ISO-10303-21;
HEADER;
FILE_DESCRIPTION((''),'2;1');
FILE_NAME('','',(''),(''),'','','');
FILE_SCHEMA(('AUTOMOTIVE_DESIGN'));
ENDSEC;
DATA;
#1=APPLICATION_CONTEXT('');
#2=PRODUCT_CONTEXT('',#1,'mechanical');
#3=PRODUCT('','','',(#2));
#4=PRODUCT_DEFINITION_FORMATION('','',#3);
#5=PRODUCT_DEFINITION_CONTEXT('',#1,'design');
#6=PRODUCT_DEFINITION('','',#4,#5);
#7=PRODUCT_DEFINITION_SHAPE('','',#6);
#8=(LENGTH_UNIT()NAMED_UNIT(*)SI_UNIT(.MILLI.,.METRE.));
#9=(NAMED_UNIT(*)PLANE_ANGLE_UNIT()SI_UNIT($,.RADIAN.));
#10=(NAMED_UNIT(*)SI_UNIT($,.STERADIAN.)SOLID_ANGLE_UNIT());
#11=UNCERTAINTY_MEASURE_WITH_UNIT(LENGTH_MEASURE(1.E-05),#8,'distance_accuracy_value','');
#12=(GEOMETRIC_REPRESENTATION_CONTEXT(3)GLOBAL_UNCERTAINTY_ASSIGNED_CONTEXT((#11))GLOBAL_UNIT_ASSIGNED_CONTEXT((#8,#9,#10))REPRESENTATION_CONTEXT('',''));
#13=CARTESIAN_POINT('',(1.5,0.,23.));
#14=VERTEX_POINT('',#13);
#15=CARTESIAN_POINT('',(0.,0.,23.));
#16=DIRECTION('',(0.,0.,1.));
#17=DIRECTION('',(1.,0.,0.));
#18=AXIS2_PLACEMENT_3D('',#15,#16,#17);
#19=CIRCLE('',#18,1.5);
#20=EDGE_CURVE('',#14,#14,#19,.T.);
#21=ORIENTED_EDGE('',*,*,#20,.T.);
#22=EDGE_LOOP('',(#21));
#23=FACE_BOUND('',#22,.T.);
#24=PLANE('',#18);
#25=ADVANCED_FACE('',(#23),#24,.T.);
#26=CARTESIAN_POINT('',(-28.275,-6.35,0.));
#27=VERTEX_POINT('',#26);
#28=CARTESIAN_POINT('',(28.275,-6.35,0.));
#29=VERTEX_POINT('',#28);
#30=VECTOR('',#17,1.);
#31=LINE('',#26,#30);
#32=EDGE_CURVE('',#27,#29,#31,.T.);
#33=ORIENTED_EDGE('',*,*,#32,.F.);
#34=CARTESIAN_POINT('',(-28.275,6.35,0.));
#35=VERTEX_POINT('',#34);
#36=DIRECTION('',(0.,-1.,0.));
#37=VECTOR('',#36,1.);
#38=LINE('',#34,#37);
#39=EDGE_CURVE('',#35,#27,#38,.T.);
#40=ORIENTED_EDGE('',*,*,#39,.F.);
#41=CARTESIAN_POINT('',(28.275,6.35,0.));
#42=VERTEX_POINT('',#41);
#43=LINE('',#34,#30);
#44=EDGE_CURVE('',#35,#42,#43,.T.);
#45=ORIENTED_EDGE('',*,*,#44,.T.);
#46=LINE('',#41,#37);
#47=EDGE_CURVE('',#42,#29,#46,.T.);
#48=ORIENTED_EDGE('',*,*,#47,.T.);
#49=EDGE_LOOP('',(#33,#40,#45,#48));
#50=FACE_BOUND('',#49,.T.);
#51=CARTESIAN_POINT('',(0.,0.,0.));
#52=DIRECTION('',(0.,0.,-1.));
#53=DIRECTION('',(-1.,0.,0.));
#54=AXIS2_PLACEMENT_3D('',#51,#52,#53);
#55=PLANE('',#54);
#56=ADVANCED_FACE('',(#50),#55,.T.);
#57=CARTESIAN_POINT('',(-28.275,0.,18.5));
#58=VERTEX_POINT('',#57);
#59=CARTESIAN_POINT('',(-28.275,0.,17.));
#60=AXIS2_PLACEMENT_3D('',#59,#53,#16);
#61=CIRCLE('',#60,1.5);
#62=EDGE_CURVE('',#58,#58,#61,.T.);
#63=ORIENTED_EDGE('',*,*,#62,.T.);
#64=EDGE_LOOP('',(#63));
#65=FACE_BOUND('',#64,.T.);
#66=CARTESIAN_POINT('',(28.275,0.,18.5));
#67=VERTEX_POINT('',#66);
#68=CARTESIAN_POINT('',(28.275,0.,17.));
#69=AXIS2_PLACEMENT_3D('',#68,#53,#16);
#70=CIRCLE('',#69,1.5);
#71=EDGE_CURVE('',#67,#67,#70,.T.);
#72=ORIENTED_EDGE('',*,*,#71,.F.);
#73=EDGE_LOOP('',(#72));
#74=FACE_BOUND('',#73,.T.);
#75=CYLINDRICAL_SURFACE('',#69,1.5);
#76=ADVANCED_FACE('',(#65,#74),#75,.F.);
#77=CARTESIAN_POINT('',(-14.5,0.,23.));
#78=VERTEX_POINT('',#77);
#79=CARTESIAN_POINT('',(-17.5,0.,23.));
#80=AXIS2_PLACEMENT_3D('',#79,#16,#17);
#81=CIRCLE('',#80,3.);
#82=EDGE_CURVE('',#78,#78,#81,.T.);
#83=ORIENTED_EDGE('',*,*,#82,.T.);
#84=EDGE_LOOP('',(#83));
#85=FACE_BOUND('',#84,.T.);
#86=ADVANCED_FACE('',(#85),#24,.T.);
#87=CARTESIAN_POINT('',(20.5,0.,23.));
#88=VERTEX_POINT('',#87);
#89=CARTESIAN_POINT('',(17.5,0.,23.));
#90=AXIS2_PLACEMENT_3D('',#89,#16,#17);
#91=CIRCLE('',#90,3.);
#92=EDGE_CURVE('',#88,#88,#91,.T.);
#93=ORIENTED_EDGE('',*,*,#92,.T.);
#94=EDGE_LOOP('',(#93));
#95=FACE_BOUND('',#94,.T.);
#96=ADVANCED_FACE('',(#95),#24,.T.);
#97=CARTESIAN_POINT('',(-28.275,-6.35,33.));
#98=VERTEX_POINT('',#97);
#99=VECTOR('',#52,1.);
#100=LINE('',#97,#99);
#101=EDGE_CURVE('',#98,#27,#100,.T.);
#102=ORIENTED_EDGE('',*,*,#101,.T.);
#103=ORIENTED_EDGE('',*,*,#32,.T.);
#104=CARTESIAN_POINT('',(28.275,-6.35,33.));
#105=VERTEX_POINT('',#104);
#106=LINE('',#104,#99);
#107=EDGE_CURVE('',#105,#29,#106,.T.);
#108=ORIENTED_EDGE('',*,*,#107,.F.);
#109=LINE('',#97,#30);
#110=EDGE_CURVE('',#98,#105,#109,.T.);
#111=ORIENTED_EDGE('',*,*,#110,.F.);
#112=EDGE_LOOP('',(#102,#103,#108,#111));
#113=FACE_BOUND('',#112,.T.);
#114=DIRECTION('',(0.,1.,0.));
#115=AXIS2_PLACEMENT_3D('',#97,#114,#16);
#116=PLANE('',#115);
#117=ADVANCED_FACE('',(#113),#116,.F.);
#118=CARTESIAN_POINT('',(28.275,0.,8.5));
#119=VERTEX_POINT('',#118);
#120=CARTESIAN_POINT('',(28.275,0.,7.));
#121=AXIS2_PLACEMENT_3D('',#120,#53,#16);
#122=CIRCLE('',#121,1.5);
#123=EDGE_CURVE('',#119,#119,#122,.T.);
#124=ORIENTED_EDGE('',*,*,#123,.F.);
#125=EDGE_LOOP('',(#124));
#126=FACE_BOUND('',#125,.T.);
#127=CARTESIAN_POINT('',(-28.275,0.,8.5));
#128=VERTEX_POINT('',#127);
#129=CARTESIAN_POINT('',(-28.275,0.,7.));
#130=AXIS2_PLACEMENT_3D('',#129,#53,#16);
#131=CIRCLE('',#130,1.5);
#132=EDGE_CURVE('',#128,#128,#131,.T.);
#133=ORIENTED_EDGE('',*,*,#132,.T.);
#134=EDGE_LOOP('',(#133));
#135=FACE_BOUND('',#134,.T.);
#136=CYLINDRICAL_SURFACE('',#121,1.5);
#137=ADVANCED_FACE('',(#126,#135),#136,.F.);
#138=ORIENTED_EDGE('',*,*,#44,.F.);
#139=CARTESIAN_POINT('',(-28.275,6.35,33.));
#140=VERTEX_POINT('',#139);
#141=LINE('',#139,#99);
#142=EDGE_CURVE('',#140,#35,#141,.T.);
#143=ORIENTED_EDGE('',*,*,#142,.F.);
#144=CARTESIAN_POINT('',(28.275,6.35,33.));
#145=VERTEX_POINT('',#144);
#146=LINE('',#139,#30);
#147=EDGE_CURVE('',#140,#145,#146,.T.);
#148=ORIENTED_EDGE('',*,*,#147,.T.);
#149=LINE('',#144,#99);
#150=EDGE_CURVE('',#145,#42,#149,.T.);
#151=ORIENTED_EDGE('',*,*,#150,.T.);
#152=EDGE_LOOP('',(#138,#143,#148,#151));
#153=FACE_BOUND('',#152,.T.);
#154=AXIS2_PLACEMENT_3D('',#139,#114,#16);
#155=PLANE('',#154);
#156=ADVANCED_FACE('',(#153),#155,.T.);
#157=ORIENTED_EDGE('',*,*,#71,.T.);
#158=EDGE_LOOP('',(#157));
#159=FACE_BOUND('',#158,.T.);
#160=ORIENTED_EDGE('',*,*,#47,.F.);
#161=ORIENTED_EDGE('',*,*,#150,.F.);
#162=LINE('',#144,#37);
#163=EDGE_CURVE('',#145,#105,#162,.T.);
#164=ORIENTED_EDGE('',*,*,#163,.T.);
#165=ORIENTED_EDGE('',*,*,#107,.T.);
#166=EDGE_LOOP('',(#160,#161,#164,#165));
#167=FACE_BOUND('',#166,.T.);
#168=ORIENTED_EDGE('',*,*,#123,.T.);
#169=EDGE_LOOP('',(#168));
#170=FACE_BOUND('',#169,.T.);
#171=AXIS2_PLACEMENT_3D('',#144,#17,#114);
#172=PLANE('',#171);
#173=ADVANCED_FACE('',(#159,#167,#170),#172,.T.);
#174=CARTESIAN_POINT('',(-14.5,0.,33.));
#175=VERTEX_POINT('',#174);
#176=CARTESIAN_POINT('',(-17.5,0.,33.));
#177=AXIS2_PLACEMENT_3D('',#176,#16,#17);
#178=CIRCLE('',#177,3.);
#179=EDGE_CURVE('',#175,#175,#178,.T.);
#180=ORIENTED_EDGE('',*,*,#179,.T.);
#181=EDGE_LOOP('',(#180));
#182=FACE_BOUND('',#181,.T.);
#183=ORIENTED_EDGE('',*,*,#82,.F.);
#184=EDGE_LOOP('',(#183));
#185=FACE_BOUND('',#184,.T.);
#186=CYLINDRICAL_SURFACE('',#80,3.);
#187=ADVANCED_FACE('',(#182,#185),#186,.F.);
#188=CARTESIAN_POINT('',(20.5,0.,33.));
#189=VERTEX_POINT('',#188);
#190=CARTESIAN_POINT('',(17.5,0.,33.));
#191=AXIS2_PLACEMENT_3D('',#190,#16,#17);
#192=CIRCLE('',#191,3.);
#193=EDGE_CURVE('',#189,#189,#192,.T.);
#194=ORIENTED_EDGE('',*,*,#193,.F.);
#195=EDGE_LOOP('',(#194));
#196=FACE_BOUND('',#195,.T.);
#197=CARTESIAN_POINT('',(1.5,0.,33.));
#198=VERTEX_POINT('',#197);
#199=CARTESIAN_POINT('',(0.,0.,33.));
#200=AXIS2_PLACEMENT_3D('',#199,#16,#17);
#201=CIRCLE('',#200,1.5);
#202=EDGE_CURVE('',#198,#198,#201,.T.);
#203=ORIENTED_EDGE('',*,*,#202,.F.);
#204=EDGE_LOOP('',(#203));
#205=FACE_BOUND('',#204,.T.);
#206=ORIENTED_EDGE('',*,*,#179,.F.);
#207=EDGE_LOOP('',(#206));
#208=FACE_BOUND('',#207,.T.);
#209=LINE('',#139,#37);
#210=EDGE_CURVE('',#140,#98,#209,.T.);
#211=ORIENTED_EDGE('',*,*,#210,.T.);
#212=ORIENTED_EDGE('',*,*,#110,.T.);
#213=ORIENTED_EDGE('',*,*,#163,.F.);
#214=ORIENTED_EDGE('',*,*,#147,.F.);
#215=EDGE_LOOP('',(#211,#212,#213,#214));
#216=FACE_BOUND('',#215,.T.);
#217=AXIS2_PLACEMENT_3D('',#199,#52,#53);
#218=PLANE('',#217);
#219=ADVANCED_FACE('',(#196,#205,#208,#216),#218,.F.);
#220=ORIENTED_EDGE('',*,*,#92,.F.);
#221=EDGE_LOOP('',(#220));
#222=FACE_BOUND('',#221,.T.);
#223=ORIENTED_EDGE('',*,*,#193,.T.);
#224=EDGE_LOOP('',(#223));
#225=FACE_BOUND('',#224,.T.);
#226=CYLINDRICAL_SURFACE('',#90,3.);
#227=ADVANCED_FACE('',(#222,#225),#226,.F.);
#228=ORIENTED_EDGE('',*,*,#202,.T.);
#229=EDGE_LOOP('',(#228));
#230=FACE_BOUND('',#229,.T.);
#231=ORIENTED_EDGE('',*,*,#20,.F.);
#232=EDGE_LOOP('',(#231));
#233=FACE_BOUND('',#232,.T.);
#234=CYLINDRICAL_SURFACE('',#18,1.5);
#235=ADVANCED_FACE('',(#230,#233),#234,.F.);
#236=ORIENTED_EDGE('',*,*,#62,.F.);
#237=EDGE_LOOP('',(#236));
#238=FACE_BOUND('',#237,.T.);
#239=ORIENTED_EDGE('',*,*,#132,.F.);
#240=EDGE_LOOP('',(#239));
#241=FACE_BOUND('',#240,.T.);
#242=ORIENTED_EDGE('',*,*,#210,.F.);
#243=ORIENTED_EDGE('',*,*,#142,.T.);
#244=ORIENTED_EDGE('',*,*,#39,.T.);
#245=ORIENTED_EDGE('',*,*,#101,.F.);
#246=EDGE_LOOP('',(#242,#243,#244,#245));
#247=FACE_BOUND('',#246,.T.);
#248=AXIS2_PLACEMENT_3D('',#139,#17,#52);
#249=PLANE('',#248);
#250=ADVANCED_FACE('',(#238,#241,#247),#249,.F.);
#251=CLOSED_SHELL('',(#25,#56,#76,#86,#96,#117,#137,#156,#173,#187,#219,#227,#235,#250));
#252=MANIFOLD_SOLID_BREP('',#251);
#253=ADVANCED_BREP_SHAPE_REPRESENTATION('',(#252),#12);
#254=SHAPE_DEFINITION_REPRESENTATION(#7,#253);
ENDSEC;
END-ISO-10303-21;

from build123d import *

# Parameters (mm, degrees)
SKETCH1_W           = 56.55
SKETCH1_H           = 12.7
BOSS_EXTRUDE1_DEPTH = 33
SKETCH2_R           = 1.5
CUT_EXTRUDE1_DEPTH  = 10
CUT_EXTRUDE2_DEPTH  = 66.781646376


with BuildPart() as part:
    # Sketch1 → Boss-Extrude1 (new body)
    with BuildSketch(Plane.XY):
        Rectangle(SKETCH1_W, SKETCH1_H)
    extrude(amount=BOSS_EXTRUDE1_DEPTH)

    # Sketch2 → Cut-Extrude1 (cut)
    with BuildSketch(Plane.XY.offset(33)):
        with BuildLine():
            Line((-20.5, 0), (-17.5, 0))
            Line((-17.5, 0), (-14.5, 0))
            ThreePointArc((-14.5, 0), (-17.5, 3), (-20.5, 0))
        make_face()
        with BuildLine():
            Line((-14.5, 0), (-17.5, 0))
            Line((-17.5, 0), (-20.5, 0))
            ThreePointArc((-20.5, 0), (-17.5, -3), (-14.5, 0))
        make_face()
        with BuildLine():
            ThreePointArc((20.5, 0), (17.5, 3), (14.5, 0))
            Line((14.5, 0), (17.5, 0))
            Line((17.5, 0), (20.5, 0))
        make_face()
        with BuildLine():
            Line((17.5, 0), (14.5, 0))
            ThreePointArc((14.5, 0), (17.5, -3), (20.5, 0))
            Line((20.5, 0), (17.5, 0))
        make_face()
        Circle(SKETCH2_R)
    extrude(amount=-CUT_EXTRUDE1_DEPTH, mode=Mode.SUBTRACT)

    # Sketch3 → Cut-Extrude2 (cut, through all)
    with BuildSketch(Plane.ZY.offset(28.275)):
        with BuildLine():
            ThreePointArc((5.5, 0), (7, -1.5), (8.5, 0))
            Line((8.5, 0), (5.5, 0))
        make_face()
        with BuildLine():
            Line((5.5, 0), (8.5, 0))
            ThreePointArc((8.5, 0), (7, 1.5), (5.5, 0))
        make_face()
        with BuildLine():
            ThreePointArc((15.5, 0), (17, -1.5), (18.5, 0))
            Line((18.5, 0), (15.5, 0))
        make_face()
        with BuildLine():
            Line((15.5, 0), (18.5, 0))
            ThreePointArc((18.5, 0), (17, 1.5), (15.5, 0))
        make_face()
    extrude(amount=-CUT_EXTRUDE2_DEPTH, mode=Mode.SUBTRACT)


solid = part.part
